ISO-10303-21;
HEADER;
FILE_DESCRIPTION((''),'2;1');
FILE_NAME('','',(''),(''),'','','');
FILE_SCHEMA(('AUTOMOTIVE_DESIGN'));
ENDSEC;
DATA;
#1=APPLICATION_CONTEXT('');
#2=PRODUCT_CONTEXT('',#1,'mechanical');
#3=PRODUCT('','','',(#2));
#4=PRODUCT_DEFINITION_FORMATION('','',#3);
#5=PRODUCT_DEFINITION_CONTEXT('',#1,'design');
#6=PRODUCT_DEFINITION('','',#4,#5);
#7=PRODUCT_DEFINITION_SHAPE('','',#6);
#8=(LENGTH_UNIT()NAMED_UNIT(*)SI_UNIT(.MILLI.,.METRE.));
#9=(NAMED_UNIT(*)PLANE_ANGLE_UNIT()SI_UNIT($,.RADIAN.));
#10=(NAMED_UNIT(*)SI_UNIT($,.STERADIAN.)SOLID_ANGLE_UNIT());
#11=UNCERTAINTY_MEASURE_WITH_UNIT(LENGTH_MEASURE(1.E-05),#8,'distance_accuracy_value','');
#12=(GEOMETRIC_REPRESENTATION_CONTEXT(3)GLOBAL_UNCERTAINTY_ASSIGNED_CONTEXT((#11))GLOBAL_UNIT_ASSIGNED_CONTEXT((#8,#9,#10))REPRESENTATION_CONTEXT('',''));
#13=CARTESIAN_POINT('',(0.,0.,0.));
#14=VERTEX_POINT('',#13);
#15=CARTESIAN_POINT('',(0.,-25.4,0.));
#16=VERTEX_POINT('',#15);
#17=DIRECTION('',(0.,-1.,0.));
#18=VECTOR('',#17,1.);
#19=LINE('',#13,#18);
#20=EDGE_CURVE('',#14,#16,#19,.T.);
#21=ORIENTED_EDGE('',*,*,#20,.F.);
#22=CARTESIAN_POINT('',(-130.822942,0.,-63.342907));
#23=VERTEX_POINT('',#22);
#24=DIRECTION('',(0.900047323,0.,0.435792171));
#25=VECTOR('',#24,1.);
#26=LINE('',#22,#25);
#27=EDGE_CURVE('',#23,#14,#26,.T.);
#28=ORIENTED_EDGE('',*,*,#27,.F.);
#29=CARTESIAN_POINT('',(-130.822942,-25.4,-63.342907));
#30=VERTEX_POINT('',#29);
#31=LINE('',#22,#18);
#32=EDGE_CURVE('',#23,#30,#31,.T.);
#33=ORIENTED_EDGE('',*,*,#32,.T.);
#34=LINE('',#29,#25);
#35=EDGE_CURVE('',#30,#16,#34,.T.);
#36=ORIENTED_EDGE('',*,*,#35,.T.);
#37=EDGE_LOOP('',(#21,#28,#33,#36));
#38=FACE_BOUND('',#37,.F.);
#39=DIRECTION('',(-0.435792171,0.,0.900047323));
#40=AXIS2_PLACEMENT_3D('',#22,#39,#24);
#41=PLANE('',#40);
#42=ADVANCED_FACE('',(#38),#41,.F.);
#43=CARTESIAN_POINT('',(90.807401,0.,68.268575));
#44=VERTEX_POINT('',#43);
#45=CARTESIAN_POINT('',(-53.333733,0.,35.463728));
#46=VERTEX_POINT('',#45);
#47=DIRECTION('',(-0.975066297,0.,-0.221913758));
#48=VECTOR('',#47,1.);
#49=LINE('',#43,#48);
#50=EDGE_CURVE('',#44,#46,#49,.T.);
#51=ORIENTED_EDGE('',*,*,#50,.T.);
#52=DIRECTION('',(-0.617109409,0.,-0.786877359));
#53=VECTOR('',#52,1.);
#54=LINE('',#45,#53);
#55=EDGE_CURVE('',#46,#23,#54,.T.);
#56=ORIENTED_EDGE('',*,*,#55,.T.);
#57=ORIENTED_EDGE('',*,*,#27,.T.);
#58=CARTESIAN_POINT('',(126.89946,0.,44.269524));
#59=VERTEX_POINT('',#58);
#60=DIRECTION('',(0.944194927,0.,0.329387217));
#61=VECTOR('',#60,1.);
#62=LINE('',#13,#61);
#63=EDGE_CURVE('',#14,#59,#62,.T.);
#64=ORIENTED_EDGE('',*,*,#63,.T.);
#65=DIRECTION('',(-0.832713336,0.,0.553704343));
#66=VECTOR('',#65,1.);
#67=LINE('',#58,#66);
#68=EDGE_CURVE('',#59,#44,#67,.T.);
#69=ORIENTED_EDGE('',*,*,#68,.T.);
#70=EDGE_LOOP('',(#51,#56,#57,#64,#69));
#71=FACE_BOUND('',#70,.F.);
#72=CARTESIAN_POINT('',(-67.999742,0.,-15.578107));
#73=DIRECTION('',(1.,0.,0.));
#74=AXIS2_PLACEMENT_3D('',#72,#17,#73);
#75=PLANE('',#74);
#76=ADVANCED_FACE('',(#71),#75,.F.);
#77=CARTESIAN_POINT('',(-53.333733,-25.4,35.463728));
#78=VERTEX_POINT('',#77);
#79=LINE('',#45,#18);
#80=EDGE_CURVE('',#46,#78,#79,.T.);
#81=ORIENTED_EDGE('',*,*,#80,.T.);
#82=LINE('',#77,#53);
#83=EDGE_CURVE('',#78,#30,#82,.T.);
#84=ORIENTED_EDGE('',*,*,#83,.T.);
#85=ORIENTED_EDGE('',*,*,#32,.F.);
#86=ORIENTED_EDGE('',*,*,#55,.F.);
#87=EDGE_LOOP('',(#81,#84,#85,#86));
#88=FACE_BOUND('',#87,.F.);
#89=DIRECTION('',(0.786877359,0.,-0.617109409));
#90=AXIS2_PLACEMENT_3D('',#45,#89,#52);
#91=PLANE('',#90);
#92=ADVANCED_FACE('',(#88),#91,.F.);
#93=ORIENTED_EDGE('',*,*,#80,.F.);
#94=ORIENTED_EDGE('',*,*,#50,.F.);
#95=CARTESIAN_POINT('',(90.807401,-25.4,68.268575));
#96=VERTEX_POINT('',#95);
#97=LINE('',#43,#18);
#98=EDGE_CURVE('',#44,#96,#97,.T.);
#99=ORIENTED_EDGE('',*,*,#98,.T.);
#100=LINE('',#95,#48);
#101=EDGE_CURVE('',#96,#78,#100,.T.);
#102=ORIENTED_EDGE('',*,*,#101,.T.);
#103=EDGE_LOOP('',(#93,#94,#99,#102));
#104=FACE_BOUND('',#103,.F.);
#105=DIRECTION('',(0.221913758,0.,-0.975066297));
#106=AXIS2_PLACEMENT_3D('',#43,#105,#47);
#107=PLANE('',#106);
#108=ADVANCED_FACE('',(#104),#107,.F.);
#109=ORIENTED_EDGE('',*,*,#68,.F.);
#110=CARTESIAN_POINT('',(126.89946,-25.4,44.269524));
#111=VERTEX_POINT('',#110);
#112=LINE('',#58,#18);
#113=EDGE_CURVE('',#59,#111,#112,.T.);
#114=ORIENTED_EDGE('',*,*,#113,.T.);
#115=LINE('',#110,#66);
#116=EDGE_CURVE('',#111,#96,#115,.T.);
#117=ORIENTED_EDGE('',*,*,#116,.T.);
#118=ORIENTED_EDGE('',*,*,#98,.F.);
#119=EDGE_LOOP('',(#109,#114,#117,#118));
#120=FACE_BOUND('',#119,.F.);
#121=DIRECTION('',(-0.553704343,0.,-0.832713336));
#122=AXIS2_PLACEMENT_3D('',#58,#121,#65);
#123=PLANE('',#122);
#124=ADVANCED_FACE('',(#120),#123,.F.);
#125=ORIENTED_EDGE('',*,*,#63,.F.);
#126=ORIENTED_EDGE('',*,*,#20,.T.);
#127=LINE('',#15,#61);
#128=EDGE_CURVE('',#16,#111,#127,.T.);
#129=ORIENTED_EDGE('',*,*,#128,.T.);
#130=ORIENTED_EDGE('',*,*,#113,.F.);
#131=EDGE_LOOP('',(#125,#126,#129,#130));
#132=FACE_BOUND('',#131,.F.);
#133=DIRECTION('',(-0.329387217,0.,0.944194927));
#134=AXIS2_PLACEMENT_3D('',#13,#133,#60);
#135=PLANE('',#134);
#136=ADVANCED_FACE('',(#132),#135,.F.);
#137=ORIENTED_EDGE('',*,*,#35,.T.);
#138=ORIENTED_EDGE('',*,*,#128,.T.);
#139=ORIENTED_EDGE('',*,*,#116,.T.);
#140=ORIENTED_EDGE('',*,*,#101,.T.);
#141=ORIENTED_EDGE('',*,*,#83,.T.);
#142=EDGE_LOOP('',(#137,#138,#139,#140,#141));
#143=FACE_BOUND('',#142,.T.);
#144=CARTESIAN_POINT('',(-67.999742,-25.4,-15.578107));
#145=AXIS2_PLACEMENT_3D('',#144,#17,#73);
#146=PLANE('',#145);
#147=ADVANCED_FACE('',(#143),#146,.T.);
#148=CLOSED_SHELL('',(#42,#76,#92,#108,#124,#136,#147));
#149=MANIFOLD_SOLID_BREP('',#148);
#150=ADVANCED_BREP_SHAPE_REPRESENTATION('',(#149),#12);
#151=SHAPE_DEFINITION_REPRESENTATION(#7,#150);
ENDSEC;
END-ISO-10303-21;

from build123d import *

# Parameters (mm, degrees)
F1_DEPTH = 25.4


with BuildPart() as f1:
    # F0 (on Front) → F1 (new body)
    with BuildSketch(Plane.XZ):
        Polygon((-130.822942, -63.342907), (0, 0), (-53.333733, 35.463728), align=None)
        Polygon((-53.333733, 35.463728), (0, 0), (126.89946, 44.269524), (90.807401, 68.268575), align=None)
    extrude(amount=F1_DEPTH)


solid = f1.part
